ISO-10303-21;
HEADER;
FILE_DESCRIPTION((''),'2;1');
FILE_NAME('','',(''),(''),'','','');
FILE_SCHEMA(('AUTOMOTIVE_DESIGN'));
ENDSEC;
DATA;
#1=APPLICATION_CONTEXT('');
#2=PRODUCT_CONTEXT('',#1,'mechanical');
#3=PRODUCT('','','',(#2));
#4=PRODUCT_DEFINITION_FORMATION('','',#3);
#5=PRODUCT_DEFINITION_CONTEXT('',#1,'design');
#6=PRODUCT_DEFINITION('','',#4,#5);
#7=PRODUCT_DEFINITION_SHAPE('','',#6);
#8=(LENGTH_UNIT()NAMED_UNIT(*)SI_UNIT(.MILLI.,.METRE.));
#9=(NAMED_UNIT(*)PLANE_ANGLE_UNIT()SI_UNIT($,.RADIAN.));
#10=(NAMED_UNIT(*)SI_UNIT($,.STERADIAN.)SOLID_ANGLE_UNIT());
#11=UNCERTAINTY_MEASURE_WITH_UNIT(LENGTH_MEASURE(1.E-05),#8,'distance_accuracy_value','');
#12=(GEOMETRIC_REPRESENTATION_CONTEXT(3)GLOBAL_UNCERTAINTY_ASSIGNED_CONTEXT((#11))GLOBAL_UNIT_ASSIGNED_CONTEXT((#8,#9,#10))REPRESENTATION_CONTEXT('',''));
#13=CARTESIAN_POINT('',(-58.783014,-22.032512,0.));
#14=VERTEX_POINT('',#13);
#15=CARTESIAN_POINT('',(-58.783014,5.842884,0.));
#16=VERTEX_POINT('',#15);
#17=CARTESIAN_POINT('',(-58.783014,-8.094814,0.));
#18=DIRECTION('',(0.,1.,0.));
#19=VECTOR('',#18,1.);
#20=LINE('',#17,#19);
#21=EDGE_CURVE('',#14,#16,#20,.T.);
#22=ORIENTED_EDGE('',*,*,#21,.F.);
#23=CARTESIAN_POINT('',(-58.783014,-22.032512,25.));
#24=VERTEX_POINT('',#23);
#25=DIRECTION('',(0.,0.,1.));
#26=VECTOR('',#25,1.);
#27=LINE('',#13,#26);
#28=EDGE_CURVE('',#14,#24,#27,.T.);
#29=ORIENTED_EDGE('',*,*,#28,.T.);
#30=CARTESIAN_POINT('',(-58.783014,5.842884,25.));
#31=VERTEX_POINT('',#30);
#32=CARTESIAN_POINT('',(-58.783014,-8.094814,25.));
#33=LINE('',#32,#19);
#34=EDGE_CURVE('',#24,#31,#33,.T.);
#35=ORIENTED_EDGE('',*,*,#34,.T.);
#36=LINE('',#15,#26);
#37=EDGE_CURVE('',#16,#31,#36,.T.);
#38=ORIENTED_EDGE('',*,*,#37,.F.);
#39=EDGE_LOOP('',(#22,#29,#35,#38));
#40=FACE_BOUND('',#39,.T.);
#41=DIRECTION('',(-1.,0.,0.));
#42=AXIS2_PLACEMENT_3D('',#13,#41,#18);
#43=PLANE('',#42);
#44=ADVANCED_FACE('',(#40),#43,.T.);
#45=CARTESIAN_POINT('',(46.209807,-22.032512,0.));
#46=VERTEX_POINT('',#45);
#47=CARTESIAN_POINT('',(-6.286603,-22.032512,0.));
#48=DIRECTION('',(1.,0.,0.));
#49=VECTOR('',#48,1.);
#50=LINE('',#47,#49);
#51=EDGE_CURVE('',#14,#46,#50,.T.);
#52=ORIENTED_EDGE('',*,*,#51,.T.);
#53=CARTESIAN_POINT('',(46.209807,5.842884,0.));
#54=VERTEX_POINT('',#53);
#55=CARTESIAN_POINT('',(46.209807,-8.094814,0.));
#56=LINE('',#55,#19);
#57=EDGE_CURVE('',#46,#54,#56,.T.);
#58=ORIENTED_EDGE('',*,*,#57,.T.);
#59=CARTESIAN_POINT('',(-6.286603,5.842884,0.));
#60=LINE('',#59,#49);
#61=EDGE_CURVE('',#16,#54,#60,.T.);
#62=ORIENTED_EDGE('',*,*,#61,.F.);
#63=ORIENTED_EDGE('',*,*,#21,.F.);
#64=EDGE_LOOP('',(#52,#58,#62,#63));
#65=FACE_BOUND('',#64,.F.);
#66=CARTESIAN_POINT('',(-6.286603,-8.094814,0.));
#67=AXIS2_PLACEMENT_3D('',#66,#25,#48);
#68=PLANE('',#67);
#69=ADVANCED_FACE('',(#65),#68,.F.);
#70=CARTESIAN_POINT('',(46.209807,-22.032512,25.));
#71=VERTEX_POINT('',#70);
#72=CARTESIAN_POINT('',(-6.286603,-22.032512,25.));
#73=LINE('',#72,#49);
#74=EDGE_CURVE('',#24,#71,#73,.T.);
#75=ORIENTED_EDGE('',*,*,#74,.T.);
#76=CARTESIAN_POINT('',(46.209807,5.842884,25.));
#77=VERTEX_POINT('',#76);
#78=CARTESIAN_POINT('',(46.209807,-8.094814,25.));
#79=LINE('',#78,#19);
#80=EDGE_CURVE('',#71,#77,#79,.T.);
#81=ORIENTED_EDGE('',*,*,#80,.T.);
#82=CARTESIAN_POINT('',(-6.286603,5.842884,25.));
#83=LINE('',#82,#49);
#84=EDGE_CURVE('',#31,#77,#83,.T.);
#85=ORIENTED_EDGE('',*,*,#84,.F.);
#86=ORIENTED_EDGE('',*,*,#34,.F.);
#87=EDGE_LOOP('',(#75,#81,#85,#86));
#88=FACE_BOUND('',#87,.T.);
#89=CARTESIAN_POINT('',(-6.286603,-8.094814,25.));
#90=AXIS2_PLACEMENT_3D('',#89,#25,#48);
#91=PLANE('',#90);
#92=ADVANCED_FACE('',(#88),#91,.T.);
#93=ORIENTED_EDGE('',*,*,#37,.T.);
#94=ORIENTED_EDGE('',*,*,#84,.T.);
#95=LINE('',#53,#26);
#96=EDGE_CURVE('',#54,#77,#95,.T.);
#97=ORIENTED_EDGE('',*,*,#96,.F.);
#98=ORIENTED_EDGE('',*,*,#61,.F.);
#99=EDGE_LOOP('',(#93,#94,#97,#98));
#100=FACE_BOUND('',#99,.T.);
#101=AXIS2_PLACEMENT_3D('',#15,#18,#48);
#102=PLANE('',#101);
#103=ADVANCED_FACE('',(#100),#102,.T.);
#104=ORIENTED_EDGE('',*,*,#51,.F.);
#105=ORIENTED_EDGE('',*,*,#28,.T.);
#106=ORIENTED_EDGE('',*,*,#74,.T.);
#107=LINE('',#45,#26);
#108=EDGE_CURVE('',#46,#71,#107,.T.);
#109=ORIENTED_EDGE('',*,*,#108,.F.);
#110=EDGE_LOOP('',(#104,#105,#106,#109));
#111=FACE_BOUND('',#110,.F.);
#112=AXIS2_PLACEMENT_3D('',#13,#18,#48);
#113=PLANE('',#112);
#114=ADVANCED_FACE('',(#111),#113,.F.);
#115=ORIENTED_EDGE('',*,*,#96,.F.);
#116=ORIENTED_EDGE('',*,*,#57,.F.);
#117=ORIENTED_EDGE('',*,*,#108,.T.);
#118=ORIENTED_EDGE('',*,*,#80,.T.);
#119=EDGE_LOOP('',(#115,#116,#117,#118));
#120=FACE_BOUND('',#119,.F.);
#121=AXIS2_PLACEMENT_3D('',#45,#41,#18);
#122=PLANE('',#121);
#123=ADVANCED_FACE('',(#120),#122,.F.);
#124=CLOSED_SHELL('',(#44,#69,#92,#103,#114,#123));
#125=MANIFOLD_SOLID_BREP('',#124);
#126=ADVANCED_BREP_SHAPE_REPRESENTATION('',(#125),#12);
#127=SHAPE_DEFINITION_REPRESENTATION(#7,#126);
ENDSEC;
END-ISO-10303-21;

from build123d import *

# Parameters (mm, degrees)
F1_W     = 104.992821
F1_H     = 27.875396
F2_DEPTH = 25


with BuildPart() as f2:
    # F1 (on offset) → F2 (new body)
    with BuildSketch(Plane.XY):
        with Locations((-6.286603, -8.094814)):
            Rectangle(F1_W, F1_H)
    extrude(amount=F2_DEPTH)


solid = f2.part
